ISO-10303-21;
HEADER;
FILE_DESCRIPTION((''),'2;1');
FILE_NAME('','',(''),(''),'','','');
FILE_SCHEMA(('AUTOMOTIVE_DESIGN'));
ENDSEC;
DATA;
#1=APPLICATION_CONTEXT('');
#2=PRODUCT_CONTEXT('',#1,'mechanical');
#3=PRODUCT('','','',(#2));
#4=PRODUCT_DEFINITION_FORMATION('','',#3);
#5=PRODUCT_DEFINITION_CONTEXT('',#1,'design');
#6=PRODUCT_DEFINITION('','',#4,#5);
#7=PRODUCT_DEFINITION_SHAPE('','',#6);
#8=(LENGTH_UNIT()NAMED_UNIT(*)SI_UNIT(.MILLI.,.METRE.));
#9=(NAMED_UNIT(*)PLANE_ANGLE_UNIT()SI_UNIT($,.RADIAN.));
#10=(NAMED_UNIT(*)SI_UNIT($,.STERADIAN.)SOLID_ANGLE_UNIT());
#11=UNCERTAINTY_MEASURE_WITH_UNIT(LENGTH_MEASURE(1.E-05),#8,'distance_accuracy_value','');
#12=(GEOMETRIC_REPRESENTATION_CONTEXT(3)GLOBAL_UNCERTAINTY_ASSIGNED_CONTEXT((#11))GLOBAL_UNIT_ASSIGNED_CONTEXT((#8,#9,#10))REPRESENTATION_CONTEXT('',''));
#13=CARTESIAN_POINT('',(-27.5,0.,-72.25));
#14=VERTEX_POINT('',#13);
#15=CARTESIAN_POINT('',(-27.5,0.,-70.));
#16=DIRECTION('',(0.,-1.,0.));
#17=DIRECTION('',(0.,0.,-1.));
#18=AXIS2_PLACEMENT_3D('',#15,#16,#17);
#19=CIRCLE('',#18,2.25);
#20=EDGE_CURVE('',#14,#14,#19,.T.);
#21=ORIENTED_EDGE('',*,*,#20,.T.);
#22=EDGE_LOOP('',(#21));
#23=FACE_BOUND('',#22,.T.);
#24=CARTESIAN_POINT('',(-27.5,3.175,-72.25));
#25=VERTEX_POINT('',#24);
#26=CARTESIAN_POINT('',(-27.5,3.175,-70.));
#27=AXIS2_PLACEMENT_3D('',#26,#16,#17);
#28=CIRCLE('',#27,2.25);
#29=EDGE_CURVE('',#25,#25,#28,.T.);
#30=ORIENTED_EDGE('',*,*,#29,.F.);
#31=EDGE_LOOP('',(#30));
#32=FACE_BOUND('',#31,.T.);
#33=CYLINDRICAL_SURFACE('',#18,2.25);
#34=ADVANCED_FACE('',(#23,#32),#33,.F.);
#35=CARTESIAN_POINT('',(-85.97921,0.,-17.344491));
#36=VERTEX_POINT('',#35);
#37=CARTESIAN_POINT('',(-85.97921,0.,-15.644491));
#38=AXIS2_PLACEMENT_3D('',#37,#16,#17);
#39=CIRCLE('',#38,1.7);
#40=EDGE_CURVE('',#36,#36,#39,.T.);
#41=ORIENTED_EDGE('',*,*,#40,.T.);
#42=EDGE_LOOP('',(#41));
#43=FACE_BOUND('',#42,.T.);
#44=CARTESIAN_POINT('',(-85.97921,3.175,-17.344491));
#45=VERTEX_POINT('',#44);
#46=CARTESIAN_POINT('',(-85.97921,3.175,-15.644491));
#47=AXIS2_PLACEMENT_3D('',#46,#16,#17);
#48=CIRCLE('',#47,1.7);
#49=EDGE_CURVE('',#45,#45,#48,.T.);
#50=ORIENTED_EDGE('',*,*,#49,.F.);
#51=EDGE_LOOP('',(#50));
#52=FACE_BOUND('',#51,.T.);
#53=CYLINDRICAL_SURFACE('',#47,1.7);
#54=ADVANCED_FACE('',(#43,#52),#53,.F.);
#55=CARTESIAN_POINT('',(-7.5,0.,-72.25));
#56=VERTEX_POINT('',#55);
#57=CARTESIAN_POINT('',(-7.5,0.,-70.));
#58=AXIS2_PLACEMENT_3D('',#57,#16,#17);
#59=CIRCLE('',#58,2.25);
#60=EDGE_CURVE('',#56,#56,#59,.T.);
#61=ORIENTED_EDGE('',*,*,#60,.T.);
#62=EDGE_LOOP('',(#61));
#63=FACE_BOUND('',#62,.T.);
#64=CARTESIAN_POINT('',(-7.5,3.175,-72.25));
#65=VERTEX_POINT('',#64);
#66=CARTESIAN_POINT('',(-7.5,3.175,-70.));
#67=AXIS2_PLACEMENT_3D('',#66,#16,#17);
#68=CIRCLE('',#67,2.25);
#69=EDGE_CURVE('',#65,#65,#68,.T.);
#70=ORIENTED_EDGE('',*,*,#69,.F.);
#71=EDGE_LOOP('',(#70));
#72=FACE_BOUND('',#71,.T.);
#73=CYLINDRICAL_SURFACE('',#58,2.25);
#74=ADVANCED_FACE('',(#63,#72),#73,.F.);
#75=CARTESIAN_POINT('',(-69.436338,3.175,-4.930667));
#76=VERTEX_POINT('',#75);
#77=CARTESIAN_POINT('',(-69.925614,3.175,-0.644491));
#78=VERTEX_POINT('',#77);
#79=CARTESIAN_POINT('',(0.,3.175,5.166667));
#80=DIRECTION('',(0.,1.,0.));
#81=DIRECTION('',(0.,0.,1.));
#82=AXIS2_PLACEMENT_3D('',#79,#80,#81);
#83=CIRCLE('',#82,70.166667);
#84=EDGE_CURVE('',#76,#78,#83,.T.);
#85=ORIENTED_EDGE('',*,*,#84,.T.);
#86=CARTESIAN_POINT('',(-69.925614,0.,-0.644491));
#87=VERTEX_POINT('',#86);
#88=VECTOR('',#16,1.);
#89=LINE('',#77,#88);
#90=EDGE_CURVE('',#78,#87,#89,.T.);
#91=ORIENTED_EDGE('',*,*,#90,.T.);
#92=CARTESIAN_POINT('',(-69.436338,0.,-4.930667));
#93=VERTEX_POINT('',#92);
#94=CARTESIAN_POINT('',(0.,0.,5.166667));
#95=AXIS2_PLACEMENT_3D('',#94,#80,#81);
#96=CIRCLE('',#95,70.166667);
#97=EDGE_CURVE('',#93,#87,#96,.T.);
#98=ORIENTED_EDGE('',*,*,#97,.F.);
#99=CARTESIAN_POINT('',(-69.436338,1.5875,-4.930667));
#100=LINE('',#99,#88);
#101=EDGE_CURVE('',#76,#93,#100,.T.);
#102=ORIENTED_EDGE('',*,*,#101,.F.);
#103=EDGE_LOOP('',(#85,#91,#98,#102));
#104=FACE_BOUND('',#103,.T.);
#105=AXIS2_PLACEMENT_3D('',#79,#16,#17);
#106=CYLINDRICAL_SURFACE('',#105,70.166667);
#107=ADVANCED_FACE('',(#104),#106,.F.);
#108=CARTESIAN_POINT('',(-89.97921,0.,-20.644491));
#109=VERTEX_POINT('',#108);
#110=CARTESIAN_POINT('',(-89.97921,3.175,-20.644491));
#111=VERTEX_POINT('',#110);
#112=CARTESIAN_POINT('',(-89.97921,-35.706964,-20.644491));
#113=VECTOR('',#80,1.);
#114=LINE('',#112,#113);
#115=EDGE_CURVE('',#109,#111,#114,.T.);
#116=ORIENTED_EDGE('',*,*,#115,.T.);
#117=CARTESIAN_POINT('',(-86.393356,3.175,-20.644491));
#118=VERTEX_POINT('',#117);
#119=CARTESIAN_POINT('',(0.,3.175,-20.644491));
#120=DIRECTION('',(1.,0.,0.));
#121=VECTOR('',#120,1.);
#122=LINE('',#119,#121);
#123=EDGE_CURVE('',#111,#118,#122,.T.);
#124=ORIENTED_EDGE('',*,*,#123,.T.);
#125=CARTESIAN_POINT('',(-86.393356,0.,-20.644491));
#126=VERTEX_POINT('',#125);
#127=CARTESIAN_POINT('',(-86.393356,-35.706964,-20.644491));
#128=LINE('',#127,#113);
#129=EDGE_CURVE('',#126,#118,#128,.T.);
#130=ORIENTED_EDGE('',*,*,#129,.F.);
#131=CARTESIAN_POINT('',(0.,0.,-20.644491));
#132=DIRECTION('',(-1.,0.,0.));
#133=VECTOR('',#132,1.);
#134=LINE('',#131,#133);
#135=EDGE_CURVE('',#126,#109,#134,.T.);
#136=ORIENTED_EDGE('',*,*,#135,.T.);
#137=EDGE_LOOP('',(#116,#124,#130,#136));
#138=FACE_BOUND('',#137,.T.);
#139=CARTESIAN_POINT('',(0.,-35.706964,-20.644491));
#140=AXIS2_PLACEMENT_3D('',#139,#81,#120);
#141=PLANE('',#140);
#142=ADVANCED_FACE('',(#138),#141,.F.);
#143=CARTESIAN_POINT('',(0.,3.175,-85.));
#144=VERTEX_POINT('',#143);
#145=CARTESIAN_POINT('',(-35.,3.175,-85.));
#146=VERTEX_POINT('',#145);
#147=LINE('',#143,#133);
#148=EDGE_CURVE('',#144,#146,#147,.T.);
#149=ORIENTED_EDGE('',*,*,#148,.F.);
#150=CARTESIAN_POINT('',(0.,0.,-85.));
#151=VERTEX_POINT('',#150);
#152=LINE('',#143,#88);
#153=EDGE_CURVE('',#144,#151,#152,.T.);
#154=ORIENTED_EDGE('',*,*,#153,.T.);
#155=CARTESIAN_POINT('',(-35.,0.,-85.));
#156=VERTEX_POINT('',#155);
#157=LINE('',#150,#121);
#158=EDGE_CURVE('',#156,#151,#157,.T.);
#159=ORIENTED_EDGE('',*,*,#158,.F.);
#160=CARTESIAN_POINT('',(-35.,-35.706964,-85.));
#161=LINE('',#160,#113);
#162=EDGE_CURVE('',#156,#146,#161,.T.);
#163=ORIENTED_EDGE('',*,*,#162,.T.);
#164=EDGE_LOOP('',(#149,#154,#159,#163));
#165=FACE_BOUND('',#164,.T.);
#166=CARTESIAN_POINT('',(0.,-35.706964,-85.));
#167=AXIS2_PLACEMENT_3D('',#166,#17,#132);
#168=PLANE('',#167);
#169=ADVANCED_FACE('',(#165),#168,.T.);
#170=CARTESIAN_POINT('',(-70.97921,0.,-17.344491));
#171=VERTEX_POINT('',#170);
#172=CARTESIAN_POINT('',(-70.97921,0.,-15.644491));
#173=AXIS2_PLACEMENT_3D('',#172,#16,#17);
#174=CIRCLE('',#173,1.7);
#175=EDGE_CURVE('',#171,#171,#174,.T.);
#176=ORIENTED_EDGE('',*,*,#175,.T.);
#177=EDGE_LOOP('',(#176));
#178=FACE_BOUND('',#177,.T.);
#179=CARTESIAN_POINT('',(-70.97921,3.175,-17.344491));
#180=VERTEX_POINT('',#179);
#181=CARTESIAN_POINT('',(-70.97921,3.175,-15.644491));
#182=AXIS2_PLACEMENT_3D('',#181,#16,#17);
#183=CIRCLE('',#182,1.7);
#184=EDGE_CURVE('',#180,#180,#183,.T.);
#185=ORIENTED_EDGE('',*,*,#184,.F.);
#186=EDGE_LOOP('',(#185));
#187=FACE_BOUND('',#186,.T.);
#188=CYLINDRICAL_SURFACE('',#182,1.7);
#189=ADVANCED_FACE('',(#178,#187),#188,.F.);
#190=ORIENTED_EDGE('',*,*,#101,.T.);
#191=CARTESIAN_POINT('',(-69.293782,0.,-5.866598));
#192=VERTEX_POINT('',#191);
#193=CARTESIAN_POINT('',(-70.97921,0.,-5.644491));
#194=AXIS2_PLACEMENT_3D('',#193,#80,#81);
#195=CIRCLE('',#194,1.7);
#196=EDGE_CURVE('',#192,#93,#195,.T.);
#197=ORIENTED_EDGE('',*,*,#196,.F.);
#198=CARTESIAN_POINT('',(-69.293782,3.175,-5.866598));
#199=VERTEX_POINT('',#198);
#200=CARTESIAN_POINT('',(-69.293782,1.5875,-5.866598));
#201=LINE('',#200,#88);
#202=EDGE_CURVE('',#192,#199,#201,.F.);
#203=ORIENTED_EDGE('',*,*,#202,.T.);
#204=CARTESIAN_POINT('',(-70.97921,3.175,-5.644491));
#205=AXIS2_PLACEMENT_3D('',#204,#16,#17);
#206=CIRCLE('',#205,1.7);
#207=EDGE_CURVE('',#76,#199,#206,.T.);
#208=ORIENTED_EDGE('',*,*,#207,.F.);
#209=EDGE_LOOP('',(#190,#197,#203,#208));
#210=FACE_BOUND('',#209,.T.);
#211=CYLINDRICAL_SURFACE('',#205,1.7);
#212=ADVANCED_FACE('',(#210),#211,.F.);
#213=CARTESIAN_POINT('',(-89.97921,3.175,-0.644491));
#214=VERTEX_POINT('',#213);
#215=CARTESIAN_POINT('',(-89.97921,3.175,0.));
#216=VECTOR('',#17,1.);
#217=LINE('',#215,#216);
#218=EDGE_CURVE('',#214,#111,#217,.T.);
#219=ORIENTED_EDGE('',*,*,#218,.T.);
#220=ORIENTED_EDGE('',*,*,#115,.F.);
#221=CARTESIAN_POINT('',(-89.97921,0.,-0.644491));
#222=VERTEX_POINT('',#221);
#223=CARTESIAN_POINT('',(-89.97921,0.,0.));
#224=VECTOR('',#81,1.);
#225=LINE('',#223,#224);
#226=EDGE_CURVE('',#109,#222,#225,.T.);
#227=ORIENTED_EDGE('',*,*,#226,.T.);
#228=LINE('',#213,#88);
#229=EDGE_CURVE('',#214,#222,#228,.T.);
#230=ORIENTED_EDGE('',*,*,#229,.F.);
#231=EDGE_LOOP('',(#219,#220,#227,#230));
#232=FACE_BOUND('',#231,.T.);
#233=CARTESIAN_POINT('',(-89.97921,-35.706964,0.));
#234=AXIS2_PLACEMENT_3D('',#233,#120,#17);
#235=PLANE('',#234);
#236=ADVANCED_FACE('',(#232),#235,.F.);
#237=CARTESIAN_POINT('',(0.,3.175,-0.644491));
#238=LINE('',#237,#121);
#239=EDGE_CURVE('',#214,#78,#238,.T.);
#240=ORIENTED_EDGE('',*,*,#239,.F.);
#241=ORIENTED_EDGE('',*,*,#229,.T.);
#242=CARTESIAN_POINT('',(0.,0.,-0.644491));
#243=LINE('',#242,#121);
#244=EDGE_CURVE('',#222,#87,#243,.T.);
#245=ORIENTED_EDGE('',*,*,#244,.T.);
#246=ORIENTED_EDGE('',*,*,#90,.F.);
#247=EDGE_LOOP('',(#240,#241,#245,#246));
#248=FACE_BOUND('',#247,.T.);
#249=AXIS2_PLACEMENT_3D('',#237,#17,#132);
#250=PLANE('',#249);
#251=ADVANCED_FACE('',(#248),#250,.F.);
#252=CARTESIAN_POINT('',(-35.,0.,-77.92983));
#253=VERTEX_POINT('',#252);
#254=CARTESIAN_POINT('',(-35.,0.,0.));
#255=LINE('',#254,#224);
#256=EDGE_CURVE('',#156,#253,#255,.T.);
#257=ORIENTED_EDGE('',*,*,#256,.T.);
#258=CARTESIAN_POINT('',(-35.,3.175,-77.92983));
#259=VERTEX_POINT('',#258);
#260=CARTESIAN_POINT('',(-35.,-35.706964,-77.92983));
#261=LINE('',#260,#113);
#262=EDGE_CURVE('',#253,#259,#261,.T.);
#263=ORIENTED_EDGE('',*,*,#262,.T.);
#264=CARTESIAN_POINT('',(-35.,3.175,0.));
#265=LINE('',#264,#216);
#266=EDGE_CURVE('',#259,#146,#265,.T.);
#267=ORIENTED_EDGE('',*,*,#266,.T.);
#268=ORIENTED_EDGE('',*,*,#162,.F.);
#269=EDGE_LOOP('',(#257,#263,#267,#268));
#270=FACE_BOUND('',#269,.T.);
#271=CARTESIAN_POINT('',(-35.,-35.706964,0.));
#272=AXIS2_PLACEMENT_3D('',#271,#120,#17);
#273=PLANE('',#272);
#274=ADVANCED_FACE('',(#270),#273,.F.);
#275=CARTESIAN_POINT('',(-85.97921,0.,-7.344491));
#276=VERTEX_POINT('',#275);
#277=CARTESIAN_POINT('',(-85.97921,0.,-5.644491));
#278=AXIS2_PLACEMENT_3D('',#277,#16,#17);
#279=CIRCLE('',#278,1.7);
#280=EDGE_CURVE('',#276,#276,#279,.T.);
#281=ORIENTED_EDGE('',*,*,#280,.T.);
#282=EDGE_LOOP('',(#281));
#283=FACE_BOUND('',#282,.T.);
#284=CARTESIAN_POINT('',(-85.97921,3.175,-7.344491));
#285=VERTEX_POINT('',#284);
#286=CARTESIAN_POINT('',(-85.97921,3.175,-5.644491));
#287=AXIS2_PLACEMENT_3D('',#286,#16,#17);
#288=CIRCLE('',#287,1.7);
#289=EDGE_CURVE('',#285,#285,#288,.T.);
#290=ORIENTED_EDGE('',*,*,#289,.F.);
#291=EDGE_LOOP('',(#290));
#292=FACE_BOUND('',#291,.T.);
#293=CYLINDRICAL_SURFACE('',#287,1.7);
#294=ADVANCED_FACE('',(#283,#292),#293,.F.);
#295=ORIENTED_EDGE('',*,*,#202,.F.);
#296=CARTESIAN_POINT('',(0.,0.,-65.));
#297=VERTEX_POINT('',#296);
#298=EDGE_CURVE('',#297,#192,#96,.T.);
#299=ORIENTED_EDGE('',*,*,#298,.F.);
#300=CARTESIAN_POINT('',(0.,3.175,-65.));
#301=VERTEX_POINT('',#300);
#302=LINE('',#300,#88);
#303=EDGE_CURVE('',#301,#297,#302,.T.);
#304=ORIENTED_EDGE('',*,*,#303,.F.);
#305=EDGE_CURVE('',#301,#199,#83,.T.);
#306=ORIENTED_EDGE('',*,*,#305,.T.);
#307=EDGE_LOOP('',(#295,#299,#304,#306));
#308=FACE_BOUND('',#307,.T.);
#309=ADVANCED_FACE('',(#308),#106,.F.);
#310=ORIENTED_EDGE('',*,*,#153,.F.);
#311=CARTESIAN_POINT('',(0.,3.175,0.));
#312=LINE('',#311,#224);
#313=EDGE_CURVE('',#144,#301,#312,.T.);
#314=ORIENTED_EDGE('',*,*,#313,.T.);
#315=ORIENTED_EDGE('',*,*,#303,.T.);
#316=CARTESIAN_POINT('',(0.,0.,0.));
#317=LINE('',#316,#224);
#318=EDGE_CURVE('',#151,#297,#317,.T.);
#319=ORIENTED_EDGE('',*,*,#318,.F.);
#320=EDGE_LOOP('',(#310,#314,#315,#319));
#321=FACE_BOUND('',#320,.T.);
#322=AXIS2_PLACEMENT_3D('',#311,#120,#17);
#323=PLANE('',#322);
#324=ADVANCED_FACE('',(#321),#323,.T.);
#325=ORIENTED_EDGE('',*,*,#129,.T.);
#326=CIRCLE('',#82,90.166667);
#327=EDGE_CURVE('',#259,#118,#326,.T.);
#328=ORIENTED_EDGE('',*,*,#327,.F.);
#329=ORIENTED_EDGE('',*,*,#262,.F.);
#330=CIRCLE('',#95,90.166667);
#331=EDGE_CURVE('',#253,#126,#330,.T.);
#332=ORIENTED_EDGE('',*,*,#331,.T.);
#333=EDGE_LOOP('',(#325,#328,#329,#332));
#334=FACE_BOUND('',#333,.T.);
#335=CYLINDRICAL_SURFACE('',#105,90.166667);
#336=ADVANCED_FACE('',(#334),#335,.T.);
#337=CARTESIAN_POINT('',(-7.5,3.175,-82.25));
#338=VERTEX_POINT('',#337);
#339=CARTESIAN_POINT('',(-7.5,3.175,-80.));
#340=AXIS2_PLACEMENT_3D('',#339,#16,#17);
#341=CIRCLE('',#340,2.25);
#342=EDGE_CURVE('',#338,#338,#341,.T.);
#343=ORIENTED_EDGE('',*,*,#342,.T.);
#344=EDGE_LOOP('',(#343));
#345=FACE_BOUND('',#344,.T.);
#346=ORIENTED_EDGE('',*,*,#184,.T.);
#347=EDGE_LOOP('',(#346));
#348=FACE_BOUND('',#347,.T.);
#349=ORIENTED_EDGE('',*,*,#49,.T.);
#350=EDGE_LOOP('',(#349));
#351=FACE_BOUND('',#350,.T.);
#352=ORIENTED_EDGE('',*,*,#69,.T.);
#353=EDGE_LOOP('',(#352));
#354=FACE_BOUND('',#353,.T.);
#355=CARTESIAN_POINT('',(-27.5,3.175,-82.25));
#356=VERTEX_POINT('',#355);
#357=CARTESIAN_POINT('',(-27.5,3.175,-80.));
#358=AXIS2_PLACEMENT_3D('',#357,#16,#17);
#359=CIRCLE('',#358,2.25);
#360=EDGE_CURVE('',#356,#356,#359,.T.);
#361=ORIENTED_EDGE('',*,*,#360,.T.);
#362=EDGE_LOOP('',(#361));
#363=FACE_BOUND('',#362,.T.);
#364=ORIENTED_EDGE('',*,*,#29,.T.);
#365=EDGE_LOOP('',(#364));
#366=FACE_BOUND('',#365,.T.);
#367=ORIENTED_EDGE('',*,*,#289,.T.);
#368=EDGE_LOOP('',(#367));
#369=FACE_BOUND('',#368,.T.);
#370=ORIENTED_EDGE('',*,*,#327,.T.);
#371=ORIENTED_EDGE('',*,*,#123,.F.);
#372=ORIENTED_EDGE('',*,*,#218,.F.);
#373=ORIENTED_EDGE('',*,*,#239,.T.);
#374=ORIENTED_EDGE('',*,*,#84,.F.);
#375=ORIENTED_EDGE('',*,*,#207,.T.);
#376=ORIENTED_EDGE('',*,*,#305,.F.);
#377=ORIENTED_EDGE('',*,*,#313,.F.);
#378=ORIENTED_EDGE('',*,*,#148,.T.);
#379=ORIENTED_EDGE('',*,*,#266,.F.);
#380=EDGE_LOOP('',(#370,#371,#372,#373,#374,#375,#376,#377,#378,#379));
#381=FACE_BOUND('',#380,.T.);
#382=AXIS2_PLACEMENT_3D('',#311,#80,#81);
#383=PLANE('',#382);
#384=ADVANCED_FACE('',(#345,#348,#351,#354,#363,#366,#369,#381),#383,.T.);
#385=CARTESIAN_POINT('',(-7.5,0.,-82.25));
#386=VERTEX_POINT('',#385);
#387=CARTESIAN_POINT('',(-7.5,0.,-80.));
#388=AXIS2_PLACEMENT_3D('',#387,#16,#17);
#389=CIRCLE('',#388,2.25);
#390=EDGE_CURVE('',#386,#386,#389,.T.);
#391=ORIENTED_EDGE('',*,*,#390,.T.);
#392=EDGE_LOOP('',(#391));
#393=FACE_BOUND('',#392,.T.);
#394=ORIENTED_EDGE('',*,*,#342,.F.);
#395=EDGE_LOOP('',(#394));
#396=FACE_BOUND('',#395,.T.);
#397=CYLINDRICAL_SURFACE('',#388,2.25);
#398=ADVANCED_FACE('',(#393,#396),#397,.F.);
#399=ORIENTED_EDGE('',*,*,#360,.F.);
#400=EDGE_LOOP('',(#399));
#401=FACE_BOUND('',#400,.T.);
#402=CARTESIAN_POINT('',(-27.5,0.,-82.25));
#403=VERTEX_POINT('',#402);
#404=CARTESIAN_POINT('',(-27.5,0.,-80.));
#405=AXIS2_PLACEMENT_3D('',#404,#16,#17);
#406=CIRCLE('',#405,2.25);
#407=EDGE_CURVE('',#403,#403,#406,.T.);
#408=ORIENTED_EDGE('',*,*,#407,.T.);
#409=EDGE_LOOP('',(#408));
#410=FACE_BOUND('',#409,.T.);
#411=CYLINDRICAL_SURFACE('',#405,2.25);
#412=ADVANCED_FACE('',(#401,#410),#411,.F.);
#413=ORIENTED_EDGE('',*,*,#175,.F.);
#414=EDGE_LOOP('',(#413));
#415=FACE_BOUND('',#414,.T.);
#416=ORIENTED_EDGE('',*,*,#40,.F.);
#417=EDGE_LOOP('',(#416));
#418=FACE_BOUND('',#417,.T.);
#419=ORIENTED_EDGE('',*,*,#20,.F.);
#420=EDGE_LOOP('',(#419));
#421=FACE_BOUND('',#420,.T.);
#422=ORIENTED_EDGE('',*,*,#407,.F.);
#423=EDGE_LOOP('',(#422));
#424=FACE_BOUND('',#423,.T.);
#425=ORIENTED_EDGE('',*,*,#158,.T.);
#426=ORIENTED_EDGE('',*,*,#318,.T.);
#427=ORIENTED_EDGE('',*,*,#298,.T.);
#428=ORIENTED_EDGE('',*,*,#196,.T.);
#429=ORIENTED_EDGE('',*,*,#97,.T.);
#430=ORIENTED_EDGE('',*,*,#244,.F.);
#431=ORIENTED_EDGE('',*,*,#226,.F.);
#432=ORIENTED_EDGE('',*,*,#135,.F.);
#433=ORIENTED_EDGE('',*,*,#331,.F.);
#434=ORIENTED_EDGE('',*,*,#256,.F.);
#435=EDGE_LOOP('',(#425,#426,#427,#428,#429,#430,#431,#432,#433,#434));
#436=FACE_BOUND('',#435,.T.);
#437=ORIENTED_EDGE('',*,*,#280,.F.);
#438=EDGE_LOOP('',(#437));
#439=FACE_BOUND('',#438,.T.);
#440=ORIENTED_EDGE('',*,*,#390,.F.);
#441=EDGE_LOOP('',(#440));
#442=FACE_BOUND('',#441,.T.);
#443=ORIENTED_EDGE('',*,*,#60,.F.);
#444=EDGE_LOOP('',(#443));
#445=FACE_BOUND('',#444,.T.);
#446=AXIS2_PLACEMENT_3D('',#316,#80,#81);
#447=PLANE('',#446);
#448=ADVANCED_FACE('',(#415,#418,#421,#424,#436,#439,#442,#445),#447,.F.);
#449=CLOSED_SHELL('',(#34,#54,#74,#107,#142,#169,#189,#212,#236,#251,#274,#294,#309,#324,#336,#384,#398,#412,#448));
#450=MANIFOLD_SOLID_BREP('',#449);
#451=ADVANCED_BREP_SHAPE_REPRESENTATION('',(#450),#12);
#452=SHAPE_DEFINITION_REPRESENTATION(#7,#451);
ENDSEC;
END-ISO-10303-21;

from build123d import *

# Parameters (mm, degrees)
BOSS_EXTRUDE1_DEPTH  = 3.175
BOSS_EXTRUDE2_DEPTH  = 3.175
M4_CLEARANCE_HOLE1_D = 4.5
SKETCH7_R            = 1.7
CUT_EXTRUDE1_DEPTH   = 4.175


with BuildPart() as part:
    # Sketch1 → Boss-Extrude1 (new body)
    with BuildSketch(Plane(origin=(0, 0, 0), x_dir=(1, 0, 0), z_dir=(0, 1, 0))):
        with BuildLine():
            ThreePointArc((0, 85), (-61.668691787, 60.61327124), (-89.979209979, 0.644490644))
            Line((-89.979209979, 0.644490644), (-69.92561449, 0.644490644))
            ThreePointArc((-69.92561449, 0.644490644), (-47.516373878, 46.462349638), (0, 65))
            Line((0, 65), (0, 85))
        make_face()
    extrude(amount=BOSS_EXTRUDE1_DEPTH)

    # Sketch2 → Boss-Extrude2 (add)
    with BuildSketch(Plane(origin=(0, 3.175, 0), x_dir=(1, 0, 0), z_dir=(0, 1, 0))):
        with BuildLine():
            Line((-89.979209979, 20.644490644), (-89.979209979, 0.644490644))
            ThreePointArc((-89.979209979, 0.644490644), (-88.75145348, 10.745821604), (-86.393355856, 20.644490644))
            Line((-86.393355856, 20.644490644), (-89.979209979, 20.644490644))
        make_face()
        with BuildLine():
            Line((-35, 85), (-35, 77.929830117))
            ThreePointArc((-35, 77.929830117), (-17.853482169, 83.214784737), (0, 85))
            Line((0, 85), (-35, 85))
        make_face()
    extrude(amount=-BOSS_EXTRUDE2_DEPTH)

    # M4 Clearance Hole1 (through all)
    with Locations(Plane.XZ):
        with Locations((-27.5, -70), (-7.5, -80), (-27.5, -80), (-7.5, -70)):
            Hole(M4_CLEARANCE_HOLE1_D / 2)

    # Sketch7 → Cut-Extrude1 (cut, through all)
    with BuildSketch(Plane.XZ):
        with Locations((-70.979209979, -15.644490644)):
            Circle(SKETCH7_R)
        with Locations((-85.979209979, -15.644490644)):
            Circle(SKETCH7_R)
        with Locations((-85.979209979, -5.644490644)):
            Circle(SKETCH7_R)
        with Locations((-70.979209979, -5.644490644)):
            Circle(SKETCH7_R)
    extrude(amount=-CUT_EXTRUDE1_DEPTH, mode=Mode.SUBTRACT)


solid = part.part
